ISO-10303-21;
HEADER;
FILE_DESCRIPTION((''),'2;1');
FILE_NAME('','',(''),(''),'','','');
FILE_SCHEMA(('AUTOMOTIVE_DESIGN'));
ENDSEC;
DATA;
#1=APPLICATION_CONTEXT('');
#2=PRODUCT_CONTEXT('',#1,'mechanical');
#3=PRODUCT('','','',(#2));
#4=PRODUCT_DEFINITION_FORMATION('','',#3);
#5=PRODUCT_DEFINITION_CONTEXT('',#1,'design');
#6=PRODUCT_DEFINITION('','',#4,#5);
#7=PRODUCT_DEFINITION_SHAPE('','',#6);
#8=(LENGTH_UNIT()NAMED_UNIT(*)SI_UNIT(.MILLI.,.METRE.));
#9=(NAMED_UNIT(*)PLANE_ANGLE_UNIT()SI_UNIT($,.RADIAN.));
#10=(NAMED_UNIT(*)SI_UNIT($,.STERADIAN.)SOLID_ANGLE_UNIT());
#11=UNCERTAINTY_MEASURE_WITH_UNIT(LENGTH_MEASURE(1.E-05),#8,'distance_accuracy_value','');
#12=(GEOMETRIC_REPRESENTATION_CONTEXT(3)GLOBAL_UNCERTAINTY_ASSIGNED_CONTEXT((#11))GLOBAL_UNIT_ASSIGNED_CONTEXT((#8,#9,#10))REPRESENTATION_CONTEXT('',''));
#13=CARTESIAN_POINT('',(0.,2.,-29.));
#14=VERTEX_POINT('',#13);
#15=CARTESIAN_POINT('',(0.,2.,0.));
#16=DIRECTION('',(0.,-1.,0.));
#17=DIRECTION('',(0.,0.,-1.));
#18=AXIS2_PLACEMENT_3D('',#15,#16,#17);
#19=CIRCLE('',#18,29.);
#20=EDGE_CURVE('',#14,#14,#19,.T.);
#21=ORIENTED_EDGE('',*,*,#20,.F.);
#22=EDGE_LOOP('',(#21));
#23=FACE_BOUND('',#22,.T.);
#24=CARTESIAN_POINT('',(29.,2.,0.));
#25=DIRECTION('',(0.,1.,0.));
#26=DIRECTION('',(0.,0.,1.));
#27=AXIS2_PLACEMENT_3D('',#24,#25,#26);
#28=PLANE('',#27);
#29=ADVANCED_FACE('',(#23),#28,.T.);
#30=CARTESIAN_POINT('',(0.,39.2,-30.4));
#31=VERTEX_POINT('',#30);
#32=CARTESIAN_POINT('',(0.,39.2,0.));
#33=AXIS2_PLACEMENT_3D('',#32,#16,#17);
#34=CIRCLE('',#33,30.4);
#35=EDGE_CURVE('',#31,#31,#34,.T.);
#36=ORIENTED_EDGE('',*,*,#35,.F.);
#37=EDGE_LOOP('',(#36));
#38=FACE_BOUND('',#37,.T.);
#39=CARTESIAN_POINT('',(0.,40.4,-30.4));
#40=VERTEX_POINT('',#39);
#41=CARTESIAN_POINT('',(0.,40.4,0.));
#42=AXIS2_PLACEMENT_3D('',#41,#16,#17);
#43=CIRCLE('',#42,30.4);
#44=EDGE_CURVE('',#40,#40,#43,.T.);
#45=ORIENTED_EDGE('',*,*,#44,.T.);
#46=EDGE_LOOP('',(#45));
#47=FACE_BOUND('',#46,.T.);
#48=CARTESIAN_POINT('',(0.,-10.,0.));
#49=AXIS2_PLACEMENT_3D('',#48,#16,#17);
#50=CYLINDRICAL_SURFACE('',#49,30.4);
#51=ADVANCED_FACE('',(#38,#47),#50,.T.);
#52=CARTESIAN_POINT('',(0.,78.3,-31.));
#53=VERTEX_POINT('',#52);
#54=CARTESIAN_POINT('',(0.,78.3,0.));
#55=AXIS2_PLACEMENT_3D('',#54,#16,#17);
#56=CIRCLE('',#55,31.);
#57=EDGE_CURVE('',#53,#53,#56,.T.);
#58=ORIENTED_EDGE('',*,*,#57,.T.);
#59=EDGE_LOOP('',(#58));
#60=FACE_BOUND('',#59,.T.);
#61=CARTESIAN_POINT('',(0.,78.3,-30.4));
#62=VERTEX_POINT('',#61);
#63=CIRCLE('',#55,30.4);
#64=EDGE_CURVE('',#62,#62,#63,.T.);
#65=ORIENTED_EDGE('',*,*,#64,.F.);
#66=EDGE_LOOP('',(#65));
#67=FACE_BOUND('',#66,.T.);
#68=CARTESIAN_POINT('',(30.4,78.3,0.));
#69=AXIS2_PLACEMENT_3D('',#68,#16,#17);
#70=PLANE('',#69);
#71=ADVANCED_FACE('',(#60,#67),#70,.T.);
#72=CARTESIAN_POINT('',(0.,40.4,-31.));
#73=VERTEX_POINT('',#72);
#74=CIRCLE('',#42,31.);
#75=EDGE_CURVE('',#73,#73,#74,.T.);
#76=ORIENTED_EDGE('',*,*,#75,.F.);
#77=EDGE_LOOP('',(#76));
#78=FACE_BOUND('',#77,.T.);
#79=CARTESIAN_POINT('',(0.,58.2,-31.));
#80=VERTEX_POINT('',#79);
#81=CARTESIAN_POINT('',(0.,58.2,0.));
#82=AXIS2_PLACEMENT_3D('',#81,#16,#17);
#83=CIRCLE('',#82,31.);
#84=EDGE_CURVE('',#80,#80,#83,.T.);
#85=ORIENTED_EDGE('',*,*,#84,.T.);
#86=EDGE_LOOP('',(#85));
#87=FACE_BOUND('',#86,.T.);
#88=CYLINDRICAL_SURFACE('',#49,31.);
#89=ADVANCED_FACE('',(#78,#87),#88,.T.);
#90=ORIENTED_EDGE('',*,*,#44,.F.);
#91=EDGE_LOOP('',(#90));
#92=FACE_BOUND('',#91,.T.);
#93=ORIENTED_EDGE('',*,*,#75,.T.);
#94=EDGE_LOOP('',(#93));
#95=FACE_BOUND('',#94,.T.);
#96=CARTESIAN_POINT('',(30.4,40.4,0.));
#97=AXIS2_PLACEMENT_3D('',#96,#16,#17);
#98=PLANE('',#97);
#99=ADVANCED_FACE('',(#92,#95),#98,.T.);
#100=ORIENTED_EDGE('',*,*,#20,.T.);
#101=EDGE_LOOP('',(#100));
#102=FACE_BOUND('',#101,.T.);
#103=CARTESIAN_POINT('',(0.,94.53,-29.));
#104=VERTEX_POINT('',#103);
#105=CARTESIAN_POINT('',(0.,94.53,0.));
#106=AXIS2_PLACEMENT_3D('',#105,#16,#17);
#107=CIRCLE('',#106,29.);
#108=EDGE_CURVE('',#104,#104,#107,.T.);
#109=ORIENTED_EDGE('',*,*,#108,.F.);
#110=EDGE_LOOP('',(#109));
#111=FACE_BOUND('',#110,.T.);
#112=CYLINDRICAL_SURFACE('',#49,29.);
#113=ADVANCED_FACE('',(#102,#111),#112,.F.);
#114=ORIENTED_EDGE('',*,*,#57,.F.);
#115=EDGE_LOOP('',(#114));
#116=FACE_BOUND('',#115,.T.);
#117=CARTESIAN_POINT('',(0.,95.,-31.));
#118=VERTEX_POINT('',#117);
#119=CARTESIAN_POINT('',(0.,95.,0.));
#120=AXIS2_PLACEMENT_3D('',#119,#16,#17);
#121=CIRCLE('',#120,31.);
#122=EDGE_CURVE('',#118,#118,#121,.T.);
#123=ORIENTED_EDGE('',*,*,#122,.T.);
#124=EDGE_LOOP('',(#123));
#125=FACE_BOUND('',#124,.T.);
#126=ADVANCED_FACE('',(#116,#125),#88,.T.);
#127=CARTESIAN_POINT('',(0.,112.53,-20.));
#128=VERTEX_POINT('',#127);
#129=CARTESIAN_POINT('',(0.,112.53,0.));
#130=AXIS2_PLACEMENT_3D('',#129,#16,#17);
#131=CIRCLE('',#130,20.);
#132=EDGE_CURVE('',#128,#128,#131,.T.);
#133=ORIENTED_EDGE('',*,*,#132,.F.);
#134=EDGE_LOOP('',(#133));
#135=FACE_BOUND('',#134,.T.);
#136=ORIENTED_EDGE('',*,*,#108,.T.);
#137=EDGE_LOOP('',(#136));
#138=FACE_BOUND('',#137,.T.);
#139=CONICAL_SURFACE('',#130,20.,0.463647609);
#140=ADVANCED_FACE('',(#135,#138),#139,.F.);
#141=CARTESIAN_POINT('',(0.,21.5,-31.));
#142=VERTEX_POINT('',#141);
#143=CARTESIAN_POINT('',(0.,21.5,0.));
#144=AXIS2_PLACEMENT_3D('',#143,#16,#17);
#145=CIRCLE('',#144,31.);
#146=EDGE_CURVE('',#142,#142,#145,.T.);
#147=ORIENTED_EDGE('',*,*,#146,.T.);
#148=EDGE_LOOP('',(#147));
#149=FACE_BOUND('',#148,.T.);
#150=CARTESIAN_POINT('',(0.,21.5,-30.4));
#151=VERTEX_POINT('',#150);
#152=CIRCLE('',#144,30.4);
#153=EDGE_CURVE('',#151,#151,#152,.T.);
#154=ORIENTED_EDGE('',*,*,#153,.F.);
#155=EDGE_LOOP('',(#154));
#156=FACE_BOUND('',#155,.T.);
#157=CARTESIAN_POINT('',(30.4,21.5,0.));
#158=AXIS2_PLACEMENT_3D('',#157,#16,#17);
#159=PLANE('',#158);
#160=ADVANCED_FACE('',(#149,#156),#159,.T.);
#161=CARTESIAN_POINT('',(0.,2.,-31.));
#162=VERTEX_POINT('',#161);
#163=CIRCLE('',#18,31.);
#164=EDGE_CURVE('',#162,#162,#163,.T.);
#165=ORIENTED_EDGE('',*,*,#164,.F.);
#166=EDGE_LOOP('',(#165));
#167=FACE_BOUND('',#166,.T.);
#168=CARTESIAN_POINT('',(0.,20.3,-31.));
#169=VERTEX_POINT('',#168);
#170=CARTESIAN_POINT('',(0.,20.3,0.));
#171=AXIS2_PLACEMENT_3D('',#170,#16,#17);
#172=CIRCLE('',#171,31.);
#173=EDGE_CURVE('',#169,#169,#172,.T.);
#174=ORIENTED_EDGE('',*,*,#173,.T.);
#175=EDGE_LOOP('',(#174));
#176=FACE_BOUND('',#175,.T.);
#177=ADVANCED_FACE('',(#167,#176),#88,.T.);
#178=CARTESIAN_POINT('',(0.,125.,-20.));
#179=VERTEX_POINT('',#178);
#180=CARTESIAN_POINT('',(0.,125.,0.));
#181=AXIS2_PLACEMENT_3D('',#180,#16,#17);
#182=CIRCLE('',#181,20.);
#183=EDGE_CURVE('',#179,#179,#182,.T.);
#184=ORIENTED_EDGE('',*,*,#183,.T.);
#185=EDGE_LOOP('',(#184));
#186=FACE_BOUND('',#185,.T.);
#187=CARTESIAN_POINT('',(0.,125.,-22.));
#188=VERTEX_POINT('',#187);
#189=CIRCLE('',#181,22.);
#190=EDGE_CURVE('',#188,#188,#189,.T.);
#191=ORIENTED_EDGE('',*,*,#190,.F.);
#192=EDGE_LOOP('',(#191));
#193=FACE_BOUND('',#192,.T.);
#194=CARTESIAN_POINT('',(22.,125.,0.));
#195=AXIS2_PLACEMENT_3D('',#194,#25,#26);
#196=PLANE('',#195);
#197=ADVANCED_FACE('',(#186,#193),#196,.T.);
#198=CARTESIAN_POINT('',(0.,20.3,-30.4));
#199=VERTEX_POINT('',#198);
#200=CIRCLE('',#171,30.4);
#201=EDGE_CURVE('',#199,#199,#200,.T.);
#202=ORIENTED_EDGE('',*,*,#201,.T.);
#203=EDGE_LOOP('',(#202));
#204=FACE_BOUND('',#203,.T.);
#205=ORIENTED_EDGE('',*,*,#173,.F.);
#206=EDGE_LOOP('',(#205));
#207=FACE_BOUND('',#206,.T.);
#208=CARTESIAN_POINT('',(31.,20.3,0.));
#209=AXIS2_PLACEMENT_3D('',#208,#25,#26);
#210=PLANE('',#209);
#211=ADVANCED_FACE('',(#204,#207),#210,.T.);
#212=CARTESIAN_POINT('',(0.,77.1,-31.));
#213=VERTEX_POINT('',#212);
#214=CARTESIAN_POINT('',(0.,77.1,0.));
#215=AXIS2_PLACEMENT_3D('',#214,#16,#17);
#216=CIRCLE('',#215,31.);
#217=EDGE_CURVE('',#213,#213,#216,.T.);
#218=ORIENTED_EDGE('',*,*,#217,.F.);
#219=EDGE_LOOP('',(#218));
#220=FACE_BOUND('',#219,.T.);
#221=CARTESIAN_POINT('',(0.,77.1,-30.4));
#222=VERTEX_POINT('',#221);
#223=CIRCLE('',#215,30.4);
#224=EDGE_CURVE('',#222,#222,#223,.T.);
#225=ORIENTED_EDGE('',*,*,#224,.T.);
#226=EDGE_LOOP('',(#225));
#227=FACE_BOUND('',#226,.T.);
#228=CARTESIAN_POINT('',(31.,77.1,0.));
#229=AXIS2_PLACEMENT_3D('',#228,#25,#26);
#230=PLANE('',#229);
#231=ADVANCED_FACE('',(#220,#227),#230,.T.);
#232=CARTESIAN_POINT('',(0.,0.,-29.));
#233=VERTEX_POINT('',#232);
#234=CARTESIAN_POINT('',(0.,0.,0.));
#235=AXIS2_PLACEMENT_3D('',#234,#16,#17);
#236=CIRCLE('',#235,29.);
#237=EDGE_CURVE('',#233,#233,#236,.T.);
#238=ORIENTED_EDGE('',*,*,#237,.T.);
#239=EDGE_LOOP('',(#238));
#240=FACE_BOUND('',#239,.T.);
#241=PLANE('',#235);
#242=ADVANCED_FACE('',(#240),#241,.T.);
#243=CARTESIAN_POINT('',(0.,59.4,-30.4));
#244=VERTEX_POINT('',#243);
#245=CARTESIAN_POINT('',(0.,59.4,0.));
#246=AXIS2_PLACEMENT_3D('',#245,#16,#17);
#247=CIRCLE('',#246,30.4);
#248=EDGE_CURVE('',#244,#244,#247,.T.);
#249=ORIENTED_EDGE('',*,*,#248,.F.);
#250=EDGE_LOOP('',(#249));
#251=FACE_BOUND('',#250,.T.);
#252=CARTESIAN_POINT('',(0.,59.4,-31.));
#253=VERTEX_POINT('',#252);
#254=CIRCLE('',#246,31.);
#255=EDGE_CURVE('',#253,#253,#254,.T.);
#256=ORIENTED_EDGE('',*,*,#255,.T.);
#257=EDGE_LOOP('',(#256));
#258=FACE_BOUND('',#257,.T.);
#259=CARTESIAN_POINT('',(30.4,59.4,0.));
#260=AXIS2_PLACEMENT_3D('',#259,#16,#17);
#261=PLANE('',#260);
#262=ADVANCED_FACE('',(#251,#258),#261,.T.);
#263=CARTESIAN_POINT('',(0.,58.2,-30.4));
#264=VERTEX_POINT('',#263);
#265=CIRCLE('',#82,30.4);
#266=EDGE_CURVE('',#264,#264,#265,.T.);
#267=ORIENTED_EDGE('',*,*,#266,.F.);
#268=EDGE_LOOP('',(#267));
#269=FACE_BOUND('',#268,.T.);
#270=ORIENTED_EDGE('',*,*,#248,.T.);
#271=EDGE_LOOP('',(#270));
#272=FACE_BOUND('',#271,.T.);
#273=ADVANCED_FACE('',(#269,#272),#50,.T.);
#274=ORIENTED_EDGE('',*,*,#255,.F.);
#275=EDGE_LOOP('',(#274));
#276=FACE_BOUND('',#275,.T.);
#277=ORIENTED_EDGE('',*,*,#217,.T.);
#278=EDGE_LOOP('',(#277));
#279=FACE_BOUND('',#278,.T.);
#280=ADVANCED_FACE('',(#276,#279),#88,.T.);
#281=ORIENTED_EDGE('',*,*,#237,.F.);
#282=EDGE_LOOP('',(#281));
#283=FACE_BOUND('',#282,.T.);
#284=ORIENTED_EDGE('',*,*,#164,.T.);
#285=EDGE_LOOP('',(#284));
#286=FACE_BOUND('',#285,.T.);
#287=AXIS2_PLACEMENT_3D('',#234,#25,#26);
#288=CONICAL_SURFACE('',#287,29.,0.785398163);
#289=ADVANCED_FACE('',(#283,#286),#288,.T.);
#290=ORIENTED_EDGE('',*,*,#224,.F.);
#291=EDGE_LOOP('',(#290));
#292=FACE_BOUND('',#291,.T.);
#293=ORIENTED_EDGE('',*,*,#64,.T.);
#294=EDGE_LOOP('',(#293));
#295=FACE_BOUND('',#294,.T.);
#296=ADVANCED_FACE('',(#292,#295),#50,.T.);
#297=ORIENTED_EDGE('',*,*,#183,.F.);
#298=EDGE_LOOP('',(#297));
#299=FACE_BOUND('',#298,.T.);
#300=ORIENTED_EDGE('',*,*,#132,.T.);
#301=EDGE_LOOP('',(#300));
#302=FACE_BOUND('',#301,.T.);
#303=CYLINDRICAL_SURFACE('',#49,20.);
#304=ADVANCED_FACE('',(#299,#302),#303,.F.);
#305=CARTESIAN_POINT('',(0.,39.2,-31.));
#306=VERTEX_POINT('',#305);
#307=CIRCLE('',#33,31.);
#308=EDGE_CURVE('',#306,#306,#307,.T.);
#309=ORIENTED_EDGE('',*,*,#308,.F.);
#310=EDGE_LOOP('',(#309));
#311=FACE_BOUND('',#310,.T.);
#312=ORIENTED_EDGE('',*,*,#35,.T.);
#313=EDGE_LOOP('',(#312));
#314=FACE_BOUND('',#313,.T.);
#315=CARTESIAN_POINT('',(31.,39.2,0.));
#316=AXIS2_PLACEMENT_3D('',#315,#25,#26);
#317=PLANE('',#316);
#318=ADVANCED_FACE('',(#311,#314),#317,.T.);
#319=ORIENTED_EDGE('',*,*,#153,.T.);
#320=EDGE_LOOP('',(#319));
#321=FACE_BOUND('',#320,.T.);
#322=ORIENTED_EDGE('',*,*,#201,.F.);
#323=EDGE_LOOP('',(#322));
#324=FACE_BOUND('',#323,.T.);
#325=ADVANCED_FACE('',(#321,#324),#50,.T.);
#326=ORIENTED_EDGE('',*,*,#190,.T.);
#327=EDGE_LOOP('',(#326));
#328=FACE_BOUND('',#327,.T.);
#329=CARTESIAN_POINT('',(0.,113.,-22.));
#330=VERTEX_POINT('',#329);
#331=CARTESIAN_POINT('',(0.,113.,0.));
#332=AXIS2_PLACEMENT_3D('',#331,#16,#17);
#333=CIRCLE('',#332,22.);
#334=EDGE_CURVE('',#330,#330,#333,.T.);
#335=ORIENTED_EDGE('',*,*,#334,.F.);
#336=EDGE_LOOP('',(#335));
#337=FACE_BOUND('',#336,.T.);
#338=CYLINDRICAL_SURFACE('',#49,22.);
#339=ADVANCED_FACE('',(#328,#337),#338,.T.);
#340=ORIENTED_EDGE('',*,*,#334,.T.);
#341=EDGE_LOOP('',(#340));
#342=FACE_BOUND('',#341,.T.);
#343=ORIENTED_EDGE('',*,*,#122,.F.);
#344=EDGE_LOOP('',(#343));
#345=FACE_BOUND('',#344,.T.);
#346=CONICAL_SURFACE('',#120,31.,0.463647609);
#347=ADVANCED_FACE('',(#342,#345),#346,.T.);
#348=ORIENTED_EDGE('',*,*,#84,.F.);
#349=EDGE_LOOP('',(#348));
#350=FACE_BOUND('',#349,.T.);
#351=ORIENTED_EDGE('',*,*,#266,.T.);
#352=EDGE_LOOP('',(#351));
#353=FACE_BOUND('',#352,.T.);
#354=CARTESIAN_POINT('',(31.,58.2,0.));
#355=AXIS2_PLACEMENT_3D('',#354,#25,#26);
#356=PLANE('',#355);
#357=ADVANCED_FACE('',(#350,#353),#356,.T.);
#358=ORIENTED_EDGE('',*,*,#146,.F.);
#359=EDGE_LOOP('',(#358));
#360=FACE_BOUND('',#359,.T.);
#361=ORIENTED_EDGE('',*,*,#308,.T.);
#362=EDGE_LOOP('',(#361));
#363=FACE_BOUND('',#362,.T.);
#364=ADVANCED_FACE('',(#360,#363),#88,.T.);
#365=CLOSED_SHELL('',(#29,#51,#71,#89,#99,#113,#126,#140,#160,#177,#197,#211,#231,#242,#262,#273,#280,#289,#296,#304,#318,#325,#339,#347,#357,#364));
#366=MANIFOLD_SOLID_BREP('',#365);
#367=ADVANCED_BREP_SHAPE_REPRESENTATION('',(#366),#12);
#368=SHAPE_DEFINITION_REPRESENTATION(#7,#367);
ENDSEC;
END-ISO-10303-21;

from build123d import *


with BuildPart() as part:
    # Sketch1 → Bottle_body_revolve (revolve)
    with BuildSketch(Plane.XY, mode=Mode.PRIVATE) as bottle_body_revolve_sk:
        Polygon((0, 0), (29, 0), (31, 2), (31, 20.3), (30.4, 20.3), (30.4, 21.5), (31, 21.5), (31, 39.2), (30.4, 39.2), (30.4, 40.4), (31, 40.4), (31, 58.2), (30.4, 58.2), (30.4, 59.4), (31, 59.4), (31, 77.1), (30.4, 77.1), (30.4, 78.3), (31, 78.3), (31, 95), (22, 113), (22, 125), (20, 125), (20, 112.53), (29, 94.53), (29, 2), (0, 2), align=None)
    revolve(bottle_body_revolve_sk.sketch.rotate(Axis((0, -10, 0), (0, 1, 0)), 90), axis=Axis((0, -10, 0), (0, 1, 0)))


solid = part.part
